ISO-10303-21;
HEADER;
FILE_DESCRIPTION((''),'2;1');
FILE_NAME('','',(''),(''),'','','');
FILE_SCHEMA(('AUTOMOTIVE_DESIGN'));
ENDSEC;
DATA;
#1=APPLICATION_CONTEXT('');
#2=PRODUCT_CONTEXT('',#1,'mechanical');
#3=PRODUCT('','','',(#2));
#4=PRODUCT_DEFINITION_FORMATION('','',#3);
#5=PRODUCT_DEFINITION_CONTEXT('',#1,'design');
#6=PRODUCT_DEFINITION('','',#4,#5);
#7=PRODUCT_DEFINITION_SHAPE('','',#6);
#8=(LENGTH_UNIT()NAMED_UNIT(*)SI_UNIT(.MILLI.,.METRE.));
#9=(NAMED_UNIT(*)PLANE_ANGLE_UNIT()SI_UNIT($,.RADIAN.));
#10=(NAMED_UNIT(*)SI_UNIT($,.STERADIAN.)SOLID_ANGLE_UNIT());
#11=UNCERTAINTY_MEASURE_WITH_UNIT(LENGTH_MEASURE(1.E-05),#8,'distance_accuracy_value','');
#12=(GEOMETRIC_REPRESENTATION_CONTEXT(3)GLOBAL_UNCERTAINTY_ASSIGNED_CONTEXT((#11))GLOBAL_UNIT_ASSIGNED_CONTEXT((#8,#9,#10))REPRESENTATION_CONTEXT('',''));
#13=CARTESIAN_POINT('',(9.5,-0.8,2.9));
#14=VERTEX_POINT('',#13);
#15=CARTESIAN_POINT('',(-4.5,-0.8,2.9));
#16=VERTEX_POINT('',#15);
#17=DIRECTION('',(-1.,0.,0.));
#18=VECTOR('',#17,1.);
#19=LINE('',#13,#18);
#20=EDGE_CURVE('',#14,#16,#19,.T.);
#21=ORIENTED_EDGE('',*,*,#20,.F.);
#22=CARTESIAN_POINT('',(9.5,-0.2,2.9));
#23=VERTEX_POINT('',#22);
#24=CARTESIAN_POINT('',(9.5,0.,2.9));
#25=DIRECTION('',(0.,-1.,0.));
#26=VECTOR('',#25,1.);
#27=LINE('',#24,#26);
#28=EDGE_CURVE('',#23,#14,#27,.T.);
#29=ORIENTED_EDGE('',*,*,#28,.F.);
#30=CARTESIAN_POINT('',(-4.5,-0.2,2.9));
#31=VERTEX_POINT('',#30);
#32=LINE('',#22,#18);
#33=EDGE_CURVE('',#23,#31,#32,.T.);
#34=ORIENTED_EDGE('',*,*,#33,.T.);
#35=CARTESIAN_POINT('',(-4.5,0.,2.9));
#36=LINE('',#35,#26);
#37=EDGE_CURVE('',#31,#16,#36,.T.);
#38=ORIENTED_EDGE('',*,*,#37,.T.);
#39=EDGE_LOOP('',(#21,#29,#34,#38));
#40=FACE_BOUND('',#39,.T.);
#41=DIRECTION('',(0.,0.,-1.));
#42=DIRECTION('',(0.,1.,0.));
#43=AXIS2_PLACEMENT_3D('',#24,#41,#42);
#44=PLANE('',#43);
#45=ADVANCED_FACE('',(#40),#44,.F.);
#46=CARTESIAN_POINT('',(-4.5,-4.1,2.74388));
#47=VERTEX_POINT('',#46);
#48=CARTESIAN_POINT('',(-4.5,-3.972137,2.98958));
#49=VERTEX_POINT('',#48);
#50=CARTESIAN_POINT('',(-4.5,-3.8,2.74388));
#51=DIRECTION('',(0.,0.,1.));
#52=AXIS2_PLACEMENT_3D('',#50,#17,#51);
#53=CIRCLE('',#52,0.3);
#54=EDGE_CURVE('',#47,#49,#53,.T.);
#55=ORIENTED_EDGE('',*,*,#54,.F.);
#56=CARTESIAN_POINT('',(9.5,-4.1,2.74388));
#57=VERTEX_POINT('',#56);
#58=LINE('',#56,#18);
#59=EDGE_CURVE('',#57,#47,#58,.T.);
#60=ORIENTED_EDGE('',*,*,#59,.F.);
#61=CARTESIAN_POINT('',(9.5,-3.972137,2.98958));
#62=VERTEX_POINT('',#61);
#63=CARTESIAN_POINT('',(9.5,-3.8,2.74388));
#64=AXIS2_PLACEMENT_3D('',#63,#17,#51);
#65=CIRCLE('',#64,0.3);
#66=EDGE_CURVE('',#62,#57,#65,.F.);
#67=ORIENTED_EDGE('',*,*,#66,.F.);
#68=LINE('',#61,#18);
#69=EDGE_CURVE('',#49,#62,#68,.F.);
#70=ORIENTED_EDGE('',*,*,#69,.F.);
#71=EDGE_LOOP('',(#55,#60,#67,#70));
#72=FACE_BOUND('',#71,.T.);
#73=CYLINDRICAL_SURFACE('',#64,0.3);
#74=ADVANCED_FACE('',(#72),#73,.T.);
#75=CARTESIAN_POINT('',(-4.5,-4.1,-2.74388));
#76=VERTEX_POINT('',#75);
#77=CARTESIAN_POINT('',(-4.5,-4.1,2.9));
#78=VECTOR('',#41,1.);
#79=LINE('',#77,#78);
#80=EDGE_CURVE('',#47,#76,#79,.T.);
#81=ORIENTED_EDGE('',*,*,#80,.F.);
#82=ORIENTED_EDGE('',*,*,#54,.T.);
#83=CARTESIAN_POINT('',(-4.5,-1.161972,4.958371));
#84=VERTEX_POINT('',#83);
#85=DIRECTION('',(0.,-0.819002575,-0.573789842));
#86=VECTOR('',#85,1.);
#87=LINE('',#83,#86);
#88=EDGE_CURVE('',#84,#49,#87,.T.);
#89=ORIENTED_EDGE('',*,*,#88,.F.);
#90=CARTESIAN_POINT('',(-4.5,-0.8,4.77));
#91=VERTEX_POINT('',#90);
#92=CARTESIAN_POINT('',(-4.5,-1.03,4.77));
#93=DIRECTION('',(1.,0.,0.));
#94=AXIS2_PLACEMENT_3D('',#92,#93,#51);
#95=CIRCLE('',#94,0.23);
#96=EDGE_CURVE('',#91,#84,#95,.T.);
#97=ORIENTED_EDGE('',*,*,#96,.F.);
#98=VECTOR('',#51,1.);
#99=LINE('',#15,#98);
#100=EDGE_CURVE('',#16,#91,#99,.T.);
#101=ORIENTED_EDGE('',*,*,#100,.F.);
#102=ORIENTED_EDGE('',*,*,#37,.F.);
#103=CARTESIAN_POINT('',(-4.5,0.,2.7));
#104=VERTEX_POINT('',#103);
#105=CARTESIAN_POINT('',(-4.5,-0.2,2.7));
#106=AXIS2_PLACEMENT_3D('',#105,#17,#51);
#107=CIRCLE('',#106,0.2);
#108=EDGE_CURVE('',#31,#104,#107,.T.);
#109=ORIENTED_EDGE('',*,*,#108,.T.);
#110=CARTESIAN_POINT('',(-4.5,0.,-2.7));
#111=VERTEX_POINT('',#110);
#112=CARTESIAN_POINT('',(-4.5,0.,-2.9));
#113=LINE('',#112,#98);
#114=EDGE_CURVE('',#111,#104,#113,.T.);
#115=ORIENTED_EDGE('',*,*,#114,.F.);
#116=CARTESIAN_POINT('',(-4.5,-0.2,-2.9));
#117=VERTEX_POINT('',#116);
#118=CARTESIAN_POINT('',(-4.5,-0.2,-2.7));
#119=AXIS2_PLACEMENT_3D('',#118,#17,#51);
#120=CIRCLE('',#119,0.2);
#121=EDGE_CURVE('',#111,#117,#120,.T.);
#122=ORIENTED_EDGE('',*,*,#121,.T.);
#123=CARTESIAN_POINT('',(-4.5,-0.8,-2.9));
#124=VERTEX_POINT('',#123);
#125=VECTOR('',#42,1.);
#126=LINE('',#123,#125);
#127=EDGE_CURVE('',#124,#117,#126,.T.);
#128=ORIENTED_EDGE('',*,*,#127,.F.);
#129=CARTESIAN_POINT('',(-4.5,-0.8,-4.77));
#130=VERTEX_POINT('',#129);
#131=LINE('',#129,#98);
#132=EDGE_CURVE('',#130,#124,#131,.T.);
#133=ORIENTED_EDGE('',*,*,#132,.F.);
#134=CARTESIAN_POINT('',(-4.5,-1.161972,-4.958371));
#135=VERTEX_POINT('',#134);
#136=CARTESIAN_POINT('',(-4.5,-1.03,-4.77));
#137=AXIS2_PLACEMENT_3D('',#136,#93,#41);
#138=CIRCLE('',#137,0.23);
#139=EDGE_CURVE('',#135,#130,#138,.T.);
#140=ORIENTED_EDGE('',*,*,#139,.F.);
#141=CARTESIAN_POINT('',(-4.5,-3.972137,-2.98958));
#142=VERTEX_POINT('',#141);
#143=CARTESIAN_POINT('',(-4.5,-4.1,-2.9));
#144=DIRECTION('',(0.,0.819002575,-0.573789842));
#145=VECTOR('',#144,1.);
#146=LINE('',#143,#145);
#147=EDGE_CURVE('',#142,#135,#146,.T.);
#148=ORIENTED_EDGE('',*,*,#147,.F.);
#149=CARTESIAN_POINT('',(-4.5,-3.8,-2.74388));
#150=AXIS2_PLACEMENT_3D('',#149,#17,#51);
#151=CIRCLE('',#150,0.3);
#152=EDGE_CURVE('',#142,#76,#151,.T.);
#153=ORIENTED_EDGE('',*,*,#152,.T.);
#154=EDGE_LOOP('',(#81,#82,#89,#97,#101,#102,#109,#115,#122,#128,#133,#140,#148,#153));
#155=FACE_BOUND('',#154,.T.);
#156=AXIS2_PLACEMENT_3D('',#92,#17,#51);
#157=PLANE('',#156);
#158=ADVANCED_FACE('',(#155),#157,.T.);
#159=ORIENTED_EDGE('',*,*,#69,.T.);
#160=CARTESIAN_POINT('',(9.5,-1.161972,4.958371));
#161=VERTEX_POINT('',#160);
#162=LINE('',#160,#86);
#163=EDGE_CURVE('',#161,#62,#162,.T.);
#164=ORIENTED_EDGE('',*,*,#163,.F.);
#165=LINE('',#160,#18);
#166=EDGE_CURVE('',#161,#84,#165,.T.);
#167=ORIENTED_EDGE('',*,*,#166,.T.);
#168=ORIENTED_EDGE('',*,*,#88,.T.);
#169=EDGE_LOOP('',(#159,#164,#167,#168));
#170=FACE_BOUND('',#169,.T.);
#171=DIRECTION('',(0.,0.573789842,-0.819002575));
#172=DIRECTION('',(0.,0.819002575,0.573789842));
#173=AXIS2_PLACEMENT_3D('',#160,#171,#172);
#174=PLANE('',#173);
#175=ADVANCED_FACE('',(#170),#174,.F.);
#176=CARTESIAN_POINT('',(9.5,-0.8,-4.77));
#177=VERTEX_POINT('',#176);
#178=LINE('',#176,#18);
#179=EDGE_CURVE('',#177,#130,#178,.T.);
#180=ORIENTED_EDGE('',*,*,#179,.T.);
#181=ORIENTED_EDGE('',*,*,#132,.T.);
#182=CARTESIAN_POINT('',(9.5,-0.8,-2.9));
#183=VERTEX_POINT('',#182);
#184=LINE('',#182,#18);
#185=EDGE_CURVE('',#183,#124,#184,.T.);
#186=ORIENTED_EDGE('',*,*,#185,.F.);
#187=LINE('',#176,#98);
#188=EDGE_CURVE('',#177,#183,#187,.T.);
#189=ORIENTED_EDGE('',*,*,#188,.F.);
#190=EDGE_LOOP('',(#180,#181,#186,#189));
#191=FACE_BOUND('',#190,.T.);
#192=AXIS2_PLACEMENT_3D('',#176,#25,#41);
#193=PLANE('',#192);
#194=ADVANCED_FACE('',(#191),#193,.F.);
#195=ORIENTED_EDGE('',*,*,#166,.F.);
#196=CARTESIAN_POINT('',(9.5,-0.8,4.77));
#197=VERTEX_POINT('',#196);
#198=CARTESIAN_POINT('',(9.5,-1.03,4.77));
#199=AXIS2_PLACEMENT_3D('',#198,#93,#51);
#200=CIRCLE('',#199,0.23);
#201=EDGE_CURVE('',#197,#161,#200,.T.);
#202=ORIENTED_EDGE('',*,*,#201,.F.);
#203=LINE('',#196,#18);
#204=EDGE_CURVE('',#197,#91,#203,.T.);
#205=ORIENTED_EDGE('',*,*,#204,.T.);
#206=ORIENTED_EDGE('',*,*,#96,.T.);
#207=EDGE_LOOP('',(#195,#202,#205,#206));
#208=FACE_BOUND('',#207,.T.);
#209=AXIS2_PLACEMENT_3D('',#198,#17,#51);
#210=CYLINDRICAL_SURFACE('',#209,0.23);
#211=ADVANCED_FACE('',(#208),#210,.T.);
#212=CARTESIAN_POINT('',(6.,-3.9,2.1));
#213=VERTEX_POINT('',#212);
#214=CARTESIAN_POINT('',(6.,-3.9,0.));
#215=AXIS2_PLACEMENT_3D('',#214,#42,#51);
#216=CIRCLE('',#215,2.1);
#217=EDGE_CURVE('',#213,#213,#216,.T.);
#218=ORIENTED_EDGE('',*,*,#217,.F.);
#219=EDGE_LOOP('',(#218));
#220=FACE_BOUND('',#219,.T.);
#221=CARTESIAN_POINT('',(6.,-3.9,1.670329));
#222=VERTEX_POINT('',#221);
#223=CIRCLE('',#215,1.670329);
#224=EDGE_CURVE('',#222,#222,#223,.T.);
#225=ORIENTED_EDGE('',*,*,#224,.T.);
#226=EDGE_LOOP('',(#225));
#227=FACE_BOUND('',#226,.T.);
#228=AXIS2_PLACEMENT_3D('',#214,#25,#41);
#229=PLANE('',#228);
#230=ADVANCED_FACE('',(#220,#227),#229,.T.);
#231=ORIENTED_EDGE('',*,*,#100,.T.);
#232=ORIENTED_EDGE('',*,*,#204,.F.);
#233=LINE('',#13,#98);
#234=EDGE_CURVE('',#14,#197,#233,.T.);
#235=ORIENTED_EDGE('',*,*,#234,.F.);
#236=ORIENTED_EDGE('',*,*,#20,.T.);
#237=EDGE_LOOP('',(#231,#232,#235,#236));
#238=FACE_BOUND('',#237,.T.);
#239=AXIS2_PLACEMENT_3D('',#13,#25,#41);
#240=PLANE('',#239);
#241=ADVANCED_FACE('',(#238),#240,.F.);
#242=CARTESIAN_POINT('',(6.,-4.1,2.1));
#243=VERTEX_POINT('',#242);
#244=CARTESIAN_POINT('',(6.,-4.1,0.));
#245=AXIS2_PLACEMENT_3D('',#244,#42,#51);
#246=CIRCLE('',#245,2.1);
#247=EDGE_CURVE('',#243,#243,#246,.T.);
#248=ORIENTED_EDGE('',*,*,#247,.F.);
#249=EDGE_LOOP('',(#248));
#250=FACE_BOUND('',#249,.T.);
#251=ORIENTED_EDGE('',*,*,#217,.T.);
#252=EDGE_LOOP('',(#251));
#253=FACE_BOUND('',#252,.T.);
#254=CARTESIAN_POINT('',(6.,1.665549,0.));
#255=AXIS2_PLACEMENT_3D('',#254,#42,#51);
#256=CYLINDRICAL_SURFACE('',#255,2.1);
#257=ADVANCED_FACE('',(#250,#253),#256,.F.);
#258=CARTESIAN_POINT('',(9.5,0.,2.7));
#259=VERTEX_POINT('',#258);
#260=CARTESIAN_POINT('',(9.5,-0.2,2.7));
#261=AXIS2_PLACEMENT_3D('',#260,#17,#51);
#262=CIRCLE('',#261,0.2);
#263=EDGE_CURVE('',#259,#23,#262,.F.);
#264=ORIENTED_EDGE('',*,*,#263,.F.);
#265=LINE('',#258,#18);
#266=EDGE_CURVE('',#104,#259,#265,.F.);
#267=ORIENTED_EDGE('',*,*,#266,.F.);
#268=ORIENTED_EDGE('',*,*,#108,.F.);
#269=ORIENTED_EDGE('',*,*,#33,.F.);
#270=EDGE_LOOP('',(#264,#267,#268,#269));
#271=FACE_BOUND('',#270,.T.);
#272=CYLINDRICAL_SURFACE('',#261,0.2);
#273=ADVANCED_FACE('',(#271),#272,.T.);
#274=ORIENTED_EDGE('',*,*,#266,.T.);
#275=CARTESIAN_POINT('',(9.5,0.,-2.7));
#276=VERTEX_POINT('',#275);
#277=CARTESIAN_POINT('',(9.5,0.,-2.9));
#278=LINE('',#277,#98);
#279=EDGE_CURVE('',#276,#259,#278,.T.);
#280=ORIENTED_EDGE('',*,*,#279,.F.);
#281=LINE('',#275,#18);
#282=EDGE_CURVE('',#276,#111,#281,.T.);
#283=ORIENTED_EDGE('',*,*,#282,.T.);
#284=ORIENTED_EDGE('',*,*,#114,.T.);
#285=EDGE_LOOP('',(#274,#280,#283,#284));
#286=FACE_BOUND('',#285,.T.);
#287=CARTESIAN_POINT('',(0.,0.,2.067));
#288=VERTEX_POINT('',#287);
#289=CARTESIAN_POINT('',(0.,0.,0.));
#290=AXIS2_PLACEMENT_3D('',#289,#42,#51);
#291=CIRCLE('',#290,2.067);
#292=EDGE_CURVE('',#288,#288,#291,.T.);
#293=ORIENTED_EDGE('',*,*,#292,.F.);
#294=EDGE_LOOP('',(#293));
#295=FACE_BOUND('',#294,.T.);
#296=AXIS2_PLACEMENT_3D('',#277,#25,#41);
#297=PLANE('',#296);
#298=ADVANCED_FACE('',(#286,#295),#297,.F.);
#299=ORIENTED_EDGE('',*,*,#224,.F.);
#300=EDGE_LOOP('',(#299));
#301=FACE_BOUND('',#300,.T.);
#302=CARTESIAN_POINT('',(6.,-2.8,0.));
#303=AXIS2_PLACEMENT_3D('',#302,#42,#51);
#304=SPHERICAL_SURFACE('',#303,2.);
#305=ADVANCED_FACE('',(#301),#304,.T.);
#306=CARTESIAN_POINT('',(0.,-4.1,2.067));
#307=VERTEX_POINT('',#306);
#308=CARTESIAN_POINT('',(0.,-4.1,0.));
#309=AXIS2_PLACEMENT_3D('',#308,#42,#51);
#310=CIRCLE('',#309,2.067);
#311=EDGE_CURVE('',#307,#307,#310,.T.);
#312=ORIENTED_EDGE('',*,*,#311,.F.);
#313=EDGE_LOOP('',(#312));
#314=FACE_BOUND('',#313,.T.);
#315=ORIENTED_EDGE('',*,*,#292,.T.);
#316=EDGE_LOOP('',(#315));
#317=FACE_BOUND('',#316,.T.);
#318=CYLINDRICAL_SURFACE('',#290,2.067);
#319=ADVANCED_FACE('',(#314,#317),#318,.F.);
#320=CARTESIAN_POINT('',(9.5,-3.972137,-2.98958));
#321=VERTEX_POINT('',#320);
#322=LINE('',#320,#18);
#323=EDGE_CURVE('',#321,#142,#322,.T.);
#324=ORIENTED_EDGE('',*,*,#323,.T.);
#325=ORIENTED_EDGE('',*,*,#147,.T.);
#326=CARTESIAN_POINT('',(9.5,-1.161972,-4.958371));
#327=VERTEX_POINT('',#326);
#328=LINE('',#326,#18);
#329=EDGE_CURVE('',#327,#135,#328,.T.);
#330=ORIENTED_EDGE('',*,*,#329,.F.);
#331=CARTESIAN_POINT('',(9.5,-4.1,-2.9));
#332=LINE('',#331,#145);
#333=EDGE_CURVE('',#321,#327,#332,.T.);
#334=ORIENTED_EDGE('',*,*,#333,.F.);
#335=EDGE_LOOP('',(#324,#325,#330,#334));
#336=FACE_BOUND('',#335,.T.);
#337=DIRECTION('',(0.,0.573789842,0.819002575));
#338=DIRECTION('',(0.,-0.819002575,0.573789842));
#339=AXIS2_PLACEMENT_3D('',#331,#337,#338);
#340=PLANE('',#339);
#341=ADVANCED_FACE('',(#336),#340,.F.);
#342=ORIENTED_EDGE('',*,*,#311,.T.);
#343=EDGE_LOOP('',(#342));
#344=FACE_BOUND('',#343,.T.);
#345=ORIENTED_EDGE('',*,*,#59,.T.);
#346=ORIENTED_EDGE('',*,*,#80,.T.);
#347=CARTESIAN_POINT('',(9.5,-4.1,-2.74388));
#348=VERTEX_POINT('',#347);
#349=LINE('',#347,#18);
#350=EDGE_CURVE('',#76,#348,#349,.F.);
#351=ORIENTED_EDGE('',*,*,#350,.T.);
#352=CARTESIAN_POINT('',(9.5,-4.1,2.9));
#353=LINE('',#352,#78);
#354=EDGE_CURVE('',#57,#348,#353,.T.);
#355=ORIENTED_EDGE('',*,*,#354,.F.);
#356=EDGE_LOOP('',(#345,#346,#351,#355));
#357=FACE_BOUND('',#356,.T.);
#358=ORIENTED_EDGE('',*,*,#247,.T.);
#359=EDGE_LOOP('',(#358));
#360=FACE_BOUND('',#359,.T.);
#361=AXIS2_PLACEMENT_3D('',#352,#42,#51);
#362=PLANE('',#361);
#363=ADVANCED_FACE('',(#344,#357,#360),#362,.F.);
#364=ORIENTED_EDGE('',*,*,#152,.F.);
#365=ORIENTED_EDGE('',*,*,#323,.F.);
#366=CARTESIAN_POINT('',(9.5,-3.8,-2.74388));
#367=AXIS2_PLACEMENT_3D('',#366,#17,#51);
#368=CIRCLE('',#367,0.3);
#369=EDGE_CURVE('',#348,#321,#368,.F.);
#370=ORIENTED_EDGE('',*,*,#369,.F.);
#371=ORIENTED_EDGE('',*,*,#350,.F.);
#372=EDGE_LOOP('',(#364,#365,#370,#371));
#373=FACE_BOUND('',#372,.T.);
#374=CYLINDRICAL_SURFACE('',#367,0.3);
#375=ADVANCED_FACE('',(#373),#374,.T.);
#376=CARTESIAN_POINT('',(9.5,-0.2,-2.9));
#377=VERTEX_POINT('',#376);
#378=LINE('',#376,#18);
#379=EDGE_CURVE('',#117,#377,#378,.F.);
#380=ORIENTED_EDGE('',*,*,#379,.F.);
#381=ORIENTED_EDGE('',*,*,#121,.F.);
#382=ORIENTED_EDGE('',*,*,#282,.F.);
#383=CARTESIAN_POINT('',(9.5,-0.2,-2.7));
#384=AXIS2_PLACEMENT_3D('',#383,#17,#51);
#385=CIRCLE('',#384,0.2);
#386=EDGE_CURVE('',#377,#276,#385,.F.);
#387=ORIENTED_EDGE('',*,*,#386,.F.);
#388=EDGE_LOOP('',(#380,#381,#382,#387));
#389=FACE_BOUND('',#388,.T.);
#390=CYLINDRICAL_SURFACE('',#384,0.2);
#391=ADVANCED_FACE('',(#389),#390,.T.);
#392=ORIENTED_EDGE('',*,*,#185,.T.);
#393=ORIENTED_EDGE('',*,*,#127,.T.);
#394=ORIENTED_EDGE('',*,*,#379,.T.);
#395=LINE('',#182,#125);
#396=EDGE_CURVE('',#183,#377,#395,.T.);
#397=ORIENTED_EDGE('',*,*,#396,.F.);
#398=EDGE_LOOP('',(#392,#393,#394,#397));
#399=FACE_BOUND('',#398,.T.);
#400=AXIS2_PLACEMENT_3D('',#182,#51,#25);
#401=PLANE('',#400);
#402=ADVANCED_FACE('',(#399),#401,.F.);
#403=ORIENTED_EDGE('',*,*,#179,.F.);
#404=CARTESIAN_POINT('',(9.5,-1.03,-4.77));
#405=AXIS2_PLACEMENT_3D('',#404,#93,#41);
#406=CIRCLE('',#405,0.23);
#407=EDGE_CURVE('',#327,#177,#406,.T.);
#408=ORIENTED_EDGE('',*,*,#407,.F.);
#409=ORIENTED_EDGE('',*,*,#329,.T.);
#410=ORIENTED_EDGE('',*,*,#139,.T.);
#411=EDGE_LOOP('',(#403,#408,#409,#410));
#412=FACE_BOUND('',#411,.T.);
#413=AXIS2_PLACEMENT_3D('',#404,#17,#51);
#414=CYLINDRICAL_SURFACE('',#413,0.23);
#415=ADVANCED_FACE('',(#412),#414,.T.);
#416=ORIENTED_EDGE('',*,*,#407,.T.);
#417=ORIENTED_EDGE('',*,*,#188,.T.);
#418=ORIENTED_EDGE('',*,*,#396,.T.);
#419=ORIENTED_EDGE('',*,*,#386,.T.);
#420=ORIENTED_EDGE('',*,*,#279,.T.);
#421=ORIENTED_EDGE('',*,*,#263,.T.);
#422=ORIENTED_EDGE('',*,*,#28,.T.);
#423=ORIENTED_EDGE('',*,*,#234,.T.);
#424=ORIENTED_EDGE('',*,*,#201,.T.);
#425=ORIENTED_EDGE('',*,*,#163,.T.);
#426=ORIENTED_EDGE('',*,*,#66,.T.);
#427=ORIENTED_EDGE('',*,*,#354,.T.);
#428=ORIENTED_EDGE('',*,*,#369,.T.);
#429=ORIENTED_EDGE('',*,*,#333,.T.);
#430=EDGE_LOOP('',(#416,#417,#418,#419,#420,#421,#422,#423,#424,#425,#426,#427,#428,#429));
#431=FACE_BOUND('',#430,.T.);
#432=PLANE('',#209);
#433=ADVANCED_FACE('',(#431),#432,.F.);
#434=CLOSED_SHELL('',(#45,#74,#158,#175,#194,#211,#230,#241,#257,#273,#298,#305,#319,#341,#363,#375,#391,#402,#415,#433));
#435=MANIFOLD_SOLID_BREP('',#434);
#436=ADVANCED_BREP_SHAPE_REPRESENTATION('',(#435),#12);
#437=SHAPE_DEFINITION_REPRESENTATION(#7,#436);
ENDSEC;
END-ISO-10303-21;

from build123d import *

# Parameters (mm, degrees)
BOSS_EXTRUDE1_DEPTH = 14
FILLET1_R           = 0.3
FILLET2_R           = 0.2
SKETCH2_W           = 2.1
SKETCH2_H           = 0.2
TAPPED_HOLE1_D      = 4.134


with BuildPart() as part:
    # Sketch1 → Boss-Extrude1 (new body)
    with BuildSketch(Plane(origin=(-4.5, 0, 0), x_dir=(0, 0, -1), z_dir=(1, 0, 0))):
        with BuildLine():
            Line((2.9, 0), (-2.9, 0))
            Line((-2.9, 0), (-2.9, -0.8))
            Line((-2.9, -0.8), (-4.77, -0.8))
            ThreePointArc((-4.77, -0.8), (-4.974026325, -0.923824397), (-4.958370592, -1.161971664))
            Line((-4.958370592, -1.161971664), (-2.9, -4.1))
            Line((-2.9, -4.1), (2.9, -4.1))
            Line((2.9, -4.1), (4.958370592, -1.161971664))
            ThreePointArc((4.958370592, -1.161971664), (4.974026325, -0.923824397), (4.77, -0.8))
            Line((4.77, -0.8), (2.9, -0.8))
            Line((2.9, -0.8), (2.9, 0))
        make_face()
    extrude(amount=BOSS_EXTRUDE1_DEPTH)

    # Fillet1
    fillet1_edges = [part.edges().sort_by_distance(p)[0] for p in [
        (2.5, -4.1, -2.9),
        (2.5, -4.1, 2.9),
    ]]
    fillet(fillet1_edges, radius=FILLET1_R)

    # Fillet2
    fillet2_edges = [part.edges().sort_by_distance(p)[0] for p in [
        (2.5, 0, 2.9),
        (2.5, 0, -2.9),
    ]]
    fillet(fillet2_edges, radius=FILLET2_R)

    # Sketch2 → Cut-Revolve1 (revolve, cut)
    with BuildSketch(Plane(origin=(6, 0, 0), x_dir=(0, 0, -1), z_dir=(1, 0, 0))):
        with Locations((1.05, -4)):
            Rectangle(SKETCH2_W, SKETCH2_H)
    revolve(axis=Axis((6, 1.665548573, 0), (0, -1, 0)), mode=Mode.SUBTRACT)

    # Sketch3 → Revolve1 (revolve)
    with BuildSketch(Plane(origin=(6, 0, 0), x_dir=(0, 0, -1), z_dir=(1, 0, 0))):
        with BuildLine():
            Line((1.670329309, -3.9), (0, -3.9))
            Line((0, -3.9), (0, -4.8))
            ThreePointArc((0, -4.8), (0.948683298, -4.560681686), (1.670329309, -3.9))
        make_face()
    revolve(axis=Axis((6, 0, 0), (0, -1, 0)))

    # Tapped Hole1 (through all)
    with Locations(Plane(origin=(0, 0, 0), x_dir=(1, 0, 0), z_dir=(0, 1, 0))):
        with Locations((0, 0)):
            Hole(TAPPED_HOLE1_D / 2)


solid = part.part
